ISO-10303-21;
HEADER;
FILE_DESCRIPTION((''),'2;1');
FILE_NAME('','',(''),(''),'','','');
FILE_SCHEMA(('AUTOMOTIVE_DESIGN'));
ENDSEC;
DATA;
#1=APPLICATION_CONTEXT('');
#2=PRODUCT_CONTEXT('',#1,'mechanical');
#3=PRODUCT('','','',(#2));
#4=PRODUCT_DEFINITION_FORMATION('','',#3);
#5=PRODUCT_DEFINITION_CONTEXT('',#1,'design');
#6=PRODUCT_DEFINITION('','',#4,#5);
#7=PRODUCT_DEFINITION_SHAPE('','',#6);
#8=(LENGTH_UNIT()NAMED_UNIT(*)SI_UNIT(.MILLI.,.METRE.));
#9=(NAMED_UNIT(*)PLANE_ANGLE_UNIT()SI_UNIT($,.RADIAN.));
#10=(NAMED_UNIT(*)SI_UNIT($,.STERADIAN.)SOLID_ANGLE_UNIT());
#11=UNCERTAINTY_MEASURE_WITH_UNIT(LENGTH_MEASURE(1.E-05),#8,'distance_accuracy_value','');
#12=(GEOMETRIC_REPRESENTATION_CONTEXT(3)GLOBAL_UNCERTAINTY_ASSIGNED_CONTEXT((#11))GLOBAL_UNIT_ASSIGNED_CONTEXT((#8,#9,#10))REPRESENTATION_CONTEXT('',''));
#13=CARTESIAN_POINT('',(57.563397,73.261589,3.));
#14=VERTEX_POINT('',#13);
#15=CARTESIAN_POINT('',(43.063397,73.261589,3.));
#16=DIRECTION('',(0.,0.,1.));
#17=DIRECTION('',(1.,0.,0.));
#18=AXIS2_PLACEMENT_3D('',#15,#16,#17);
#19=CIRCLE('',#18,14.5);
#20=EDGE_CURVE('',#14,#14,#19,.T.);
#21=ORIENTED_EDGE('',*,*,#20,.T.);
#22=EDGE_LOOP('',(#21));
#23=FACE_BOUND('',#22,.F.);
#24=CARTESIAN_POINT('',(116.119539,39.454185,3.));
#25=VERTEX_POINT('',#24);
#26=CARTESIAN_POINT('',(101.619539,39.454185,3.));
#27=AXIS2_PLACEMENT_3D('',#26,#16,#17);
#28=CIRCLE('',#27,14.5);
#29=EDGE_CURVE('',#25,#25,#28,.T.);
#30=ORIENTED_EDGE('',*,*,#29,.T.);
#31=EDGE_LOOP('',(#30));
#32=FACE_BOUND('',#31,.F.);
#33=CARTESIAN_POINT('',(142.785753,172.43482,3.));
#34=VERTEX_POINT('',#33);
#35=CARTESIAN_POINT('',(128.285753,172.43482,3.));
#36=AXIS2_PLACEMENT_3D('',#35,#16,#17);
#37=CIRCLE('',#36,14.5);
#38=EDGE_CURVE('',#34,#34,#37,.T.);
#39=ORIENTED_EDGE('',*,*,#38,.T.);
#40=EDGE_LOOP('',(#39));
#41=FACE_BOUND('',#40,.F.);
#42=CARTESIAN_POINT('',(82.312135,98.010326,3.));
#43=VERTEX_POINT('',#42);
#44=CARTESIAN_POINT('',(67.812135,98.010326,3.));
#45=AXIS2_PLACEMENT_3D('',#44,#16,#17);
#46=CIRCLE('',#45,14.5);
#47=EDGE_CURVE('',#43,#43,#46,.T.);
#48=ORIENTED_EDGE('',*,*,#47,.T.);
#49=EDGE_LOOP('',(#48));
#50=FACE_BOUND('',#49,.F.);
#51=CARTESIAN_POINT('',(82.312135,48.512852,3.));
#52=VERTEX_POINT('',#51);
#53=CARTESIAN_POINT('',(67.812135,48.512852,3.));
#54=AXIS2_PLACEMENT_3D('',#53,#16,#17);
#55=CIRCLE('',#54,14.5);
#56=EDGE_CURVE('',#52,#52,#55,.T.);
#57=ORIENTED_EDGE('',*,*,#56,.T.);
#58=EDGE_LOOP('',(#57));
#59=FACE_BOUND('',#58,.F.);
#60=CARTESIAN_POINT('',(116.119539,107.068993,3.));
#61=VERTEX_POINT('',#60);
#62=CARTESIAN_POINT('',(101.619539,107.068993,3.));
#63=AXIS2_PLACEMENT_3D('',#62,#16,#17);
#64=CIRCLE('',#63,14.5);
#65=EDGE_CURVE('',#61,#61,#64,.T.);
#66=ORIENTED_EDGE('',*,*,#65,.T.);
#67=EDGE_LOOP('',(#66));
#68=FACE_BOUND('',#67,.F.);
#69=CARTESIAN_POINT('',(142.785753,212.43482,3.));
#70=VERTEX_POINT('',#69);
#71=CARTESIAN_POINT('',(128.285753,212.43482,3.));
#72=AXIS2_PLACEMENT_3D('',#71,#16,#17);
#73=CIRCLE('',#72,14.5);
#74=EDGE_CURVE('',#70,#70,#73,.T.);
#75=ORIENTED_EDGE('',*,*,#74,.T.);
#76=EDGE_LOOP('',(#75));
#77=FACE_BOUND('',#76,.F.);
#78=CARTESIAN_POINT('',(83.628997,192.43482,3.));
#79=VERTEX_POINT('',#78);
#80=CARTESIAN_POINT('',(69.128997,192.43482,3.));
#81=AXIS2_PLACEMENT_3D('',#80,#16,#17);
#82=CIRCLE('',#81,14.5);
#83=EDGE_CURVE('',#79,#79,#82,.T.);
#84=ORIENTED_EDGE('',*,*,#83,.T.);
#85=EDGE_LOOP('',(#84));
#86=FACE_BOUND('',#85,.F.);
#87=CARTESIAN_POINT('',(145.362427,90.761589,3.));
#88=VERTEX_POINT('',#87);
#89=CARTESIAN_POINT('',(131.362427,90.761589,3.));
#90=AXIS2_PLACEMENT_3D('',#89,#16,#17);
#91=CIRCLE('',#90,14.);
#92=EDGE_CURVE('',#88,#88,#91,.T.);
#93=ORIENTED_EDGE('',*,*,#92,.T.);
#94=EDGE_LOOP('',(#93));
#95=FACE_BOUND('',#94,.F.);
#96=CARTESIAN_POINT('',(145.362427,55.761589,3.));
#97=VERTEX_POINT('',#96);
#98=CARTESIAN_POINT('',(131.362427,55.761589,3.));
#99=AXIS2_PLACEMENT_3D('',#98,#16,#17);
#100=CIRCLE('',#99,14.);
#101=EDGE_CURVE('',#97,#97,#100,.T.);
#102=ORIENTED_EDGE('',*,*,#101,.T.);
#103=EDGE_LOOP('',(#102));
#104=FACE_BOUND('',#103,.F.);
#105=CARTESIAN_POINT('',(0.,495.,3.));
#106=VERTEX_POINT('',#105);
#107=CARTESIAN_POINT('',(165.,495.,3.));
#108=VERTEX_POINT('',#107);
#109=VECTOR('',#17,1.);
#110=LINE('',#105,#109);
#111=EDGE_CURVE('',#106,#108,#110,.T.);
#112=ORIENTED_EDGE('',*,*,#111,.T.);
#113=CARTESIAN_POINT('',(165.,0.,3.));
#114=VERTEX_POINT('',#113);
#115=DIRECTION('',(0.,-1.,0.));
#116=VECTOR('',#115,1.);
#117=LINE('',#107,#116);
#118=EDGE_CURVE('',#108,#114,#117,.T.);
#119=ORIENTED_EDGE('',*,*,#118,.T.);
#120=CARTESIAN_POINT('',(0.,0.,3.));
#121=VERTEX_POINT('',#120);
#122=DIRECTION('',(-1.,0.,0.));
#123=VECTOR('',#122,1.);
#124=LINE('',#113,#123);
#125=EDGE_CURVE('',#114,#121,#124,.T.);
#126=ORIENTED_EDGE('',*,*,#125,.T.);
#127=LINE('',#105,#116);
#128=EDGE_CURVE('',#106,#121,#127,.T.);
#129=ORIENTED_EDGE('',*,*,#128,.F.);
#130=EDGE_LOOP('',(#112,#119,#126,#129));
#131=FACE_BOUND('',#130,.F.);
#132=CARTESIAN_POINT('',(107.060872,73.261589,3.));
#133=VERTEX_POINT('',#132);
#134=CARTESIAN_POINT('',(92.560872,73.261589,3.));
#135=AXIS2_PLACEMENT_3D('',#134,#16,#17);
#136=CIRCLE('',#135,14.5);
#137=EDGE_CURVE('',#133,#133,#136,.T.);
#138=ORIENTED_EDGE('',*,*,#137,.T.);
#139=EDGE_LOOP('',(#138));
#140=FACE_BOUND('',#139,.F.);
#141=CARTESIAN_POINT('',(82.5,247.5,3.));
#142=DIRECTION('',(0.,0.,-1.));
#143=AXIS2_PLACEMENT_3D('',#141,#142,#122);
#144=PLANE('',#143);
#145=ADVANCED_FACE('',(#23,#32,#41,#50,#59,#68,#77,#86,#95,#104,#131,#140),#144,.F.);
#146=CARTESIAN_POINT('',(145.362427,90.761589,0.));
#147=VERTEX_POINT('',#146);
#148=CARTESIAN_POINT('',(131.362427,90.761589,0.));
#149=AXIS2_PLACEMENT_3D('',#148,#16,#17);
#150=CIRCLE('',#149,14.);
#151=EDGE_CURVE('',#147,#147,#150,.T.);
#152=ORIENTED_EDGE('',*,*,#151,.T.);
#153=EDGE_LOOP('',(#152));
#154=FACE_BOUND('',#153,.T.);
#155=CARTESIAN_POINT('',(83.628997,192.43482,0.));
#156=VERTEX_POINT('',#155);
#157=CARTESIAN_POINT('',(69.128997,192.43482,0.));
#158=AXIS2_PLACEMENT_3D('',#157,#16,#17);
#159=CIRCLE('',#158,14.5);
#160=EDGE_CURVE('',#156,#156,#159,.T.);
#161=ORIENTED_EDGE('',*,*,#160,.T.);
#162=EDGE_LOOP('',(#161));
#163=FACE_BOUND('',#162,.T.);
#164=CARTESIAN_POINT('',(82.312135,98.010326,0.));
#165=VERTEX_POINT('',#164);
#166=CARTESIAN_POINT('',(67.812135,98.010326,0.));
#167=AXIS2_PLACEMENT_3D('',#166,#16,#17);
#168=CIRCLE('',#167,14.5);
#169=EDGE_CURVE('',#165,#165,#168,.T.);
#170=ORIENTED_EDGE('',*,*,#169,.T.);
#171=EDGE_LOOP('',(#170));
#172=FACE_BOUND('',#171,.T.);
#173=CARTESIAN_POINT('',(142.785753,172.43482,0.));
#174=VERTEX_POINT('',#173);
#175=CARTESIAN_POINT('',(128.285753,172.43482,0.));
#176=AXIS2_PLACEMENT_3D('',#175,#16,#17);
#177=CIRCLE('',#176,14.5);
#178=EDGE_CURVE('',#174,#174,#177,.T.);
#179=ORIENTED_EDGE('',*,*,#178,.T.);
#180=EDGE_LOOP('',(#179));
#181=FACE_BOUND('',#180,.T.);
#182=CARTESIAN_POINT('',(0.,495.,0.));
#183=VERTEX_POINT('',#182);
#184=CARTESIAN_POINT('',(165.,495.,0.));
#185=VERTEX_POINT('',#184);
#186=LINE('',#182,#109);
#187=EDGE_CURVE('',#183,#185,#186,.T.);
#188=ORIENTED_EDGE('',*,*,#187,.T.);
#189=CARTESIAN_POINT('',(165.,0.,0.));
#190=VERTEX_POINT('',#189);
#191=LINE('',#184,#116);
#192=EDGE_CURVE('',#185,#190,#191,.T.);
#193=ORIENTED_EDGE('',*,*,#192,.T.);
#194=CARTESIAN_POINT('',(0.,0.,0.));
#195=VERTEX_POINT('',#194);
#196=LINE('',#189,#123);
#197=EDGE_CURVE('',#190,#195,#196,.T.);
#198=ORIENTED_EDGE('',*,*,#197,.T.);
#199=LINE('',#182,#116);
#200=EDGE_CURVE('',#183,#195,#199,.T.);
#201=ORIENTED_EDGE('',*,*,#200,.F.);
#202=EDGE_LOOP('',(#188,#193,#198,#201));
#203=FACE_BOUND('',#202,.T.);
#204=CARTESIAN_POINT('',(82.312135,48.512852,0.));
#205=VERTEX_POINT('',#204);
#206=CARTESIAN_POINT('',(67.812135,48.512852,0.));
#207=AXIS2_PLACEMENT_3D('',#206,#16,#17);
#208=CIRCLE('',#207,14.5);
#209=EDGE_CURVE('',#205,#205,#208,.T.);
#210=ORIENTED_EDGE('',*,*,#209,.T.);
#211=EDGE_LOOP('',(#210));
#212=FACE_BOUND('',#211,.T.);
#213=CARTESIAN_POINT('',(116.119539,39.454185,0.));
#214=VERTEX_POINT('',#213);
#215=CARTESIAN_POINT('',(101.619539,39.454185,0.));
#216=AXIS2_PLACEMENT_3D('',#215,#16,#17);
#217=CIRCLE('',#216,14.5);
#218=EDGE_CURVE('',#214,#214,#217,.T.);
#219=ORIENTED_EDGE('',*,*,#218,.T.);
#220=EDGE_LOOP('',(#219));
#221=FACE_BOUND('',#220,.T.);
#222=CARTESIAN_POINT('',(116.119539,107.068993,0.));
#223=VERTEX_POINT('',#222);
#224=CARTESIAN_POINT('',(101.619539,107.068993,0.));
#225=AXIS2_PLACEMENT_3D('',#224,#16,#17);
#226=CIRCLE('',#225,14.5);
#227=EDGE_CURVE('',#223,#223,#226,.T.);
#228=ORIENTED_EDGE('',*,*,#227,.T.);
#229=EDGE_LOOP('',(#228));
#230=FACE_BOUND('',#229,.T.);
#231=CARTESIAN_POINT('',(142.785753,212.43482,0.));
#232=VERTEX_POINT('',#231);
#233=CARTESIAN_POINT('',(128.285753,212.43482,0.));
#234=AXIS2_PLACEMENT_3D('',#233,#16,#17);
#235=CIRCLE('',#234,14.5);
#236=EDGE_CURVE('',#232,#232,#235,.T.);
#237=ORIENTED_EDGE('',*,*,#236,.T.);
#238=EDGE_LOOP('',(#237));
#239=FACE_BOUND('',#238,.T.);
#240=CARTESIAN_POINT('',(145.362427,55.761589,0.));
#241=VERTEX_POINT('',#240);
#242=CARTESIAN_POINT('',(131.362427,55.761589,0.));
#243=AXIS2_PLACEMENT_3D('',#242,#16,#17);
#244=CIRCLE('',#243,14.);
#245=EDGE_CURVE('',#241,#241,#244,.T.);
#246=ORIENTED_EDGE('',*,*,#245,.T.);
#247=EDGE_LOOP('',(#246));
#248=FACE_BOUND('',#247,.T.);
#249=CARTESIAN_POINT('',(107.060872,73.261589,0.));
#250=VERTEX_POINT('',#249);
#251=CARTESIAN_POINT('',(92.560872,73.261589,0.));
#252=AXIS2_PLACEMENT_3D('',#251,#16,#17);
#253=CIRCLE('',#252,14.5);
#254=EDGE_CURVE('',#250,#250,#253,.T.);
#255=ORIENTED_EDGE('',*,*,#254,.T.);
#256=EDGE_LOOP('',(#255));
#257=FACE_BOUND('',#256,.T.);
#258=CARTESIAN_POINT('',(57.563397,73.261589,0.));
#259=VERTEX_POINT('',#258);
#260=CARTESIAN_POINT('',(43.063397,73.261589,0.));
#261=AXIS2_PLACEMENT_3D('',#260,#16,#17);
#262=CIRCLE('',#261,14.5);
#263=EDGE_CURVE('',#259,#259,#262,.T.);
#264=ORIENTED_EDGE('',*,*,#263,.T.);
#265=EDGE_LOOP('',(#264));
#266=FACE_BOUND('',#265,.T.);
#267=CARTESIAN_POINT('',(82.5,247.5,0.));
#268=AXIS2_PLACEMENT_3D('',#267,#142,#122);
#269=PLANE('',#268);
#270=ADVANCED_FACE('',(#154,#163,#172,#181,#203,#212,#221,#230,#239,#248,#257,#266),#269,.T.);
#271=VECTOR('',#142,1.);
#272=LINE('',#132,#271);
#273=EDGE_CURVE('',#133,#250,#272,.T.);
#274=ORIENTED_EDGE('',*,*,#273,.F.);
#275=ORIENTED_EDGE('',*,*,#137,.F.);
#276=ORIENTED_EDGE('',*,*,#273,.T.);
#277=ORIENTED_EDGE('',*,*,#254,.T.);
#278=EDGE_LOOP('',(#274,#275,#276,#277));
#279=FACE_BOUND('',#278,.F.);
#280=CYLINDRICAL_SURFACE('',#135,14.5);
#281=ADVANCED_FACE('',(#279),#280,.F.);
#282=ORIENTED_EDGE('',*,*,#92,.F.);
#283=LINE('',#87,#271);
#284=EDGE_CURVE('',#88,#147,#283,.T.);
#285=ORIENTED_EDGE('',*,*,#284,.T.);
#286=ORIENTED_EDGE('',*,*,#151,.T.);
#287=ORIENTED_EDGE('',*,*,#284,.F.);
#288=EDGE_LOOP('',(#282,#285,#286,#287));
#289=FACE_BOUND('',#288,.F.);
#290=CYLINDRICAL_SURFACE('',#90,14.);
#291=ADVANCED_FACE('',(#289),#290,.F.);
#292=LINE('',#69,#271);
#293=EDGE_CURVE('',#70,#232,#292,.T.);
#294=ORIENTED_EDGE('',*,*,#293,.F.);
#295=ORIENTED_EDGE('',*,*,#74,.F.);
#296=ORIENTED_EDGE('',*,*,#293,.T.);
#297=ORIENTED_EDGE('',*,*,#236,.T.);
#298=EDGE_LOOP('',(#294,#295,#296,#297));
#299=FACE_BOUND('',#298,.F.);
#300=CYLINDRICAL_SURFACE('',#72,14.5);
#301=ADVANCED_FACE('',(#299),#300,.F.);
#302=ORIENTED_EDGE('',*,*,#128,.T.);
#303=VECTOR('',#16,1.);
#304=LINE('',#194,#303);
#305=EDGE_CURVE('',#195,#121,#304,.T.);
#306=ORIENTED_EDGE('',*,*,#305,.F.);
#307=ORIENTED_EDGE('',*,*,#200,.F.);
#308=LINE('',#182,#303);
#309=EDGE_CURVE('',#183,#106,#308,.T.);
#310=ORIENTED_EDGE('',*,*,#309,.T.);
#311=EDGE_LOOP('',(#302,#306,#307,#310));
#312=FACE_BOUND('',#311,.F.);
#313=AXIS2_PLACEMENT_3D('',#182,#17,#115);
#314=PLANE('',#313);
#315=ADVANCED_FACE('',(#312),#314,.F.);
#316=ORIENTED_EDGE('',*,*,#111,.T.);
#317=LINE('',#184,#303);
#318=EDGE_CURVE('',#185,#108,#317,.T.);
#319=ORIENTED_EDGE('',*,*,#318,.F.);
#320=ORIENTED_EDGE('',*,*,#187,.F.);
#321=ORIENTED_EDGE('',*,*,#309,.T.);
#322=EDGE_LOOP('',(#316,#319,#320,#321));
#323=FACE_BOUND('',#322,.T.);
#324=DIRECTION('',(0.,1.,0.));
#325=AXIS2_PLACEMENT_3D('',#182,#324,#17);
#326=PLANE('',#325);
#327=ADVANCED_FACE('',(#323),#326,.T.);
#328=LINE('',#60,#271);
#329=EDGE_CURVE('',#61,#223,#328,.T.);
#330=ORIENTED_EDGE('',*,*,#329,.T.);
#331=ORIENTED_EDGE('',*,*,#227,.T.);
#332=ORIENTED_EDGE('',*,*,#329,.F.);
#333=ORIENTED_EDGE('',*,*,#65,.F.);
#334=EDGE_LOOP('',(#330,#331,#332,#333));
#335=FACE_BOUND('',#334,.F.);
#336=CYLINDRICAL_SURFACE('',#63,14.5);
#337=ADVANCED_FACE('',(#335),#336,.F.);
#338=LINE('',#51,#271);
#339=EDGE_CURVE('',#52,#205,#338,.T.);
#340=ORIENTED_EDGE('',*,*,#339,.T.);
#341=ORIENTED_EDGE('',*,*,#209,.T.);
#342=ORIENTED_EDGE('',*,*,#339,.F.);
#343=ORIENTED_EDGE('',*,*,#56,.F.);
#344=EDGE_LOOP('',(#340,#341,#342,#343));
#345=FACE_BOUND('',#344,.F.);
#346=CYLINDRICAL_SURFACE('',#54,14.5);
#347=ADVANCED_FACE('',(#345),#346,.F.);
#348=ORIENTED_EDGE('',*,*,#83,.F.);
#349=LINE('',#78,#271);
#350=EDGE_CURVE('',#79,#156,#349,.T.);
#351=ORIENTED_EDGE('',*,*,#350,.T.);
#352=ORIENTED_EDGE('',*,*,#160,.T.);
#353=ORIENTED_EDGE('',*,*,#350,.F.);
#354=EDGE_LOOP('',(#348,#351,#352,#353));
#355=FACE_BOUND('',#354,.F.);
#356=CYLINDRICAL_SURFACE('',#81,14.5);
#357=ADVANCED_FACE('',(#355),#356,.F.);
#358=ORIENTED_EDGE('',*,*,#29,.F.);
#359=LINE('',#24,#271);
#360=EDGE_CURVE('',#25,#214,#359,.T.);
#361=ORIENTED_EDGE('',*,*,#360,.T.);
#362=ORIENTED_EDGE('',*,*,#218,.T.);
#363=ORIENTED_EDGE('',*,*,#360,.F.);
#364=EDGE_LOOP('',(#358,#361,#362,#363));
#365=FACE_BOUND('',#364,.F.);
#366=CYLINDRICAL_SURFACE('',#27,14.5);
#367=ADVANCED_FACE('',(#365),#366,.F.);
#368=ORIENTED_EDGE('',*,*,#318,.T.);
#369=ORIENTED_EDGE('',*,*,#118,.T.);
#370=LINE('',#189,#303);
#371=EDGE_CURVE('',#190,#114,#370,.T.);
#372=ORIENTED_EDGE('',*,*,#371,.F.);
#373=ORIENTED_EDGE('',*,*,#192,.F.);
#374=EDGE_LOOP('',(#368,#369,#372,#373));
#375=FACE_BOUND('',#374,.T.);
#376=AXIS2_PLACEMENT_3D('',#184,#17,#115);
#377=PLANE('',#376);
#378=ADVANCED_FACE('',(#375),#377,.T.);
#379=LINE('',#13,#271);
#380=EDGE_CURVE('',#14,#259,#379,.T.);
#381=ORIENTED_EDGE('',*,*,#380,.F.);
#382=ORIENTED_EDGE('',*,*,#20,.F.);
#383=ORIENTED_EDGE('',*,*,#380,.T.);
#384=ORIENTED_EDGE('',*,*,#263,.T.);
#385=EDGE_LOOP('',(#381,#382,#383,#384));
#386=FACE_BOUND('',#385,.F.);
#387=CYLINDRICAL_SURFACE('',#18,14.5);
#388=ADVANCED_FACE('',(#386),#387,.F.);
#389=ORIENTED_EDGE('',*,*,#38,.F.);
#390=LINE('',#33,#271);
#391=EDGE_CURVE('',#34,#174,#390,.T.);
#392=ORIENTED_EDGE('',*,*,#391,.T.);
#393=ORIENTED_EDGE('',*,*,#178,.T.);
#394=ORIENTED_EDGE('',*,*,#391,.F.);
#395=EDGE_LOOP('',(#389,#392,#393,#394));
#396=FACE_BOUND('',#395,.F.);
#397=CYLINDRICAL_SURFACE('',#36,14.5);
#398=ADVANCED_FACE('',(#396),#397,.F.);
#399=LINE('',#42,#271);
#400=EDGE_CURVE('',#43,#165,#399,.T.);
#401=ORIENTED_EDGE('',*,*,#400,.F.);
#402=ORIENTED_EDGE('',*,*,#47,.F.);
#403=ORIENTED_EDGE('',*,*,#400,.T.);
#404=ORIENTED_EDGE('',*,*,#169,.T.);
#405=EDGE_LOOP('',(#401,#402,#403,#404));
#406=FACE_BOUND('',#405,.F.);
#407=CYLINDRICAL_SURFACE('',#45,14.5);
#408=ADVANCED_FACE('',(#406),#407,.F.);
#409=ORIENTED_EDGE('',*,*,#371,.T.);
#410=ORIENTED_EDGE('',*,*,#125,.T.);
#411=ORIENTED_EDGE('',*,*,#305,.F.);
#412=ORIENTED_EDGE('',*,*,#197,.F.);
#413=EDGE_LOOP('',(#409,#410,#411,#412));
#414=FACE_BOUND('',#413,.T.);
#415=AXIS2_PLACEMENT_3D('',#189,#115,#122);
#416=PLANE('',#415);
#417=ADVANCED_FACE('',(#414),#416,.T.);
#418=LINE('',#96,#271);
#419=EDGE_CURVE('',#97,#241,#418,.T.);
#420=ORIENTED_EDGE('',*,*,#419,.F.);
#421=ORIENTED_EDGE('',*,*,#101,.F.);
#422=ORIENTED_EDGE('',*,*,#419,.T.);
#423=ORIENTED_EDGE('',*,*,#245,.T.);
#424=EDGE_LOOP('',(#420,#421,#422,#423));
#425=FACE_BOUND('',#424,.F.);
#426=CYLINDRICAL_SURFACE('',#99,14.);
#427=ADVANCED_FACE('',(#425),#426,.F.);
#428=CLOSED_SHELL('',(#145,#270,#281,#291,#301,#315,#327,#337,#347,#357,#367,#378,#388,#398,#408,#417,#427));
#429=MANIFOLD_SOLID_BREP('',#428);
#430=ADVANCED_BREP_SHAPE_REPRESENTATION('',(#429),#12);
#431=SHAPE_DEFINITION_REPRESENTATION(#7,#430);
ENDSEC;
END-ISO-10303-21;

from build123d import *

# Parameters (mm, degrees)
PAD_DEPTH     = 3
SKETCH001_R   = 14.5
SKETCH001_R_2 = 14
POCKET_DEPTH  = 3.001


with BuildPart() as part:
    # Sketch → Pad (new body)
    with BuildSketch(Plane.XY):
        Polygon((0, 495), (165, 495), (165, 0), (0, 0), (0, 247.5), align=None)
    extrude(amount=PAD_DEPTH)

    # Sketch001 (on Face7 of Pad) → Pocket (cut, through all)
    with BuildSketch(Plane.XY.offset(3)):
        with Locations((69.128997, 192.43482)):
            Circle(SKETCH001_R)
        with Locations((43.063397, 73.261589)):
            Circle(SKETCH001_R)
        with Locations((67.812135, 98.010326)):
            Circle(SKETCH001_R)
        with Locations((67.812135, 48.512852)):
            Circle(SKETCH001_R)
        with Locations((92.560872, 73.261589)):
            Circle(SKETCH001_R)
        with Locations((101.619539, 107.068993)):
            Circle(SKETCH001_R)
        with Locations((101.619539, 39.454185)):
            Circle(SKETCH001_R)
        with Locations((128.285753, 172.43482)):
            Circle(SKETCH001_R)
        with Locations((128.285753, 212.43482)):
            Circle(SKETCH001_R)
        with Locations((131.362427, 90.761589)):
            Circle(SKETCH001_R_2)
        with Locations((131.362427, 55.761589)):
            Circle(SKETCH001_R_2)
    extrude(amount=-POCKET_DEPTH, mode=Mode.SUBTRACT)


solid = part.part
